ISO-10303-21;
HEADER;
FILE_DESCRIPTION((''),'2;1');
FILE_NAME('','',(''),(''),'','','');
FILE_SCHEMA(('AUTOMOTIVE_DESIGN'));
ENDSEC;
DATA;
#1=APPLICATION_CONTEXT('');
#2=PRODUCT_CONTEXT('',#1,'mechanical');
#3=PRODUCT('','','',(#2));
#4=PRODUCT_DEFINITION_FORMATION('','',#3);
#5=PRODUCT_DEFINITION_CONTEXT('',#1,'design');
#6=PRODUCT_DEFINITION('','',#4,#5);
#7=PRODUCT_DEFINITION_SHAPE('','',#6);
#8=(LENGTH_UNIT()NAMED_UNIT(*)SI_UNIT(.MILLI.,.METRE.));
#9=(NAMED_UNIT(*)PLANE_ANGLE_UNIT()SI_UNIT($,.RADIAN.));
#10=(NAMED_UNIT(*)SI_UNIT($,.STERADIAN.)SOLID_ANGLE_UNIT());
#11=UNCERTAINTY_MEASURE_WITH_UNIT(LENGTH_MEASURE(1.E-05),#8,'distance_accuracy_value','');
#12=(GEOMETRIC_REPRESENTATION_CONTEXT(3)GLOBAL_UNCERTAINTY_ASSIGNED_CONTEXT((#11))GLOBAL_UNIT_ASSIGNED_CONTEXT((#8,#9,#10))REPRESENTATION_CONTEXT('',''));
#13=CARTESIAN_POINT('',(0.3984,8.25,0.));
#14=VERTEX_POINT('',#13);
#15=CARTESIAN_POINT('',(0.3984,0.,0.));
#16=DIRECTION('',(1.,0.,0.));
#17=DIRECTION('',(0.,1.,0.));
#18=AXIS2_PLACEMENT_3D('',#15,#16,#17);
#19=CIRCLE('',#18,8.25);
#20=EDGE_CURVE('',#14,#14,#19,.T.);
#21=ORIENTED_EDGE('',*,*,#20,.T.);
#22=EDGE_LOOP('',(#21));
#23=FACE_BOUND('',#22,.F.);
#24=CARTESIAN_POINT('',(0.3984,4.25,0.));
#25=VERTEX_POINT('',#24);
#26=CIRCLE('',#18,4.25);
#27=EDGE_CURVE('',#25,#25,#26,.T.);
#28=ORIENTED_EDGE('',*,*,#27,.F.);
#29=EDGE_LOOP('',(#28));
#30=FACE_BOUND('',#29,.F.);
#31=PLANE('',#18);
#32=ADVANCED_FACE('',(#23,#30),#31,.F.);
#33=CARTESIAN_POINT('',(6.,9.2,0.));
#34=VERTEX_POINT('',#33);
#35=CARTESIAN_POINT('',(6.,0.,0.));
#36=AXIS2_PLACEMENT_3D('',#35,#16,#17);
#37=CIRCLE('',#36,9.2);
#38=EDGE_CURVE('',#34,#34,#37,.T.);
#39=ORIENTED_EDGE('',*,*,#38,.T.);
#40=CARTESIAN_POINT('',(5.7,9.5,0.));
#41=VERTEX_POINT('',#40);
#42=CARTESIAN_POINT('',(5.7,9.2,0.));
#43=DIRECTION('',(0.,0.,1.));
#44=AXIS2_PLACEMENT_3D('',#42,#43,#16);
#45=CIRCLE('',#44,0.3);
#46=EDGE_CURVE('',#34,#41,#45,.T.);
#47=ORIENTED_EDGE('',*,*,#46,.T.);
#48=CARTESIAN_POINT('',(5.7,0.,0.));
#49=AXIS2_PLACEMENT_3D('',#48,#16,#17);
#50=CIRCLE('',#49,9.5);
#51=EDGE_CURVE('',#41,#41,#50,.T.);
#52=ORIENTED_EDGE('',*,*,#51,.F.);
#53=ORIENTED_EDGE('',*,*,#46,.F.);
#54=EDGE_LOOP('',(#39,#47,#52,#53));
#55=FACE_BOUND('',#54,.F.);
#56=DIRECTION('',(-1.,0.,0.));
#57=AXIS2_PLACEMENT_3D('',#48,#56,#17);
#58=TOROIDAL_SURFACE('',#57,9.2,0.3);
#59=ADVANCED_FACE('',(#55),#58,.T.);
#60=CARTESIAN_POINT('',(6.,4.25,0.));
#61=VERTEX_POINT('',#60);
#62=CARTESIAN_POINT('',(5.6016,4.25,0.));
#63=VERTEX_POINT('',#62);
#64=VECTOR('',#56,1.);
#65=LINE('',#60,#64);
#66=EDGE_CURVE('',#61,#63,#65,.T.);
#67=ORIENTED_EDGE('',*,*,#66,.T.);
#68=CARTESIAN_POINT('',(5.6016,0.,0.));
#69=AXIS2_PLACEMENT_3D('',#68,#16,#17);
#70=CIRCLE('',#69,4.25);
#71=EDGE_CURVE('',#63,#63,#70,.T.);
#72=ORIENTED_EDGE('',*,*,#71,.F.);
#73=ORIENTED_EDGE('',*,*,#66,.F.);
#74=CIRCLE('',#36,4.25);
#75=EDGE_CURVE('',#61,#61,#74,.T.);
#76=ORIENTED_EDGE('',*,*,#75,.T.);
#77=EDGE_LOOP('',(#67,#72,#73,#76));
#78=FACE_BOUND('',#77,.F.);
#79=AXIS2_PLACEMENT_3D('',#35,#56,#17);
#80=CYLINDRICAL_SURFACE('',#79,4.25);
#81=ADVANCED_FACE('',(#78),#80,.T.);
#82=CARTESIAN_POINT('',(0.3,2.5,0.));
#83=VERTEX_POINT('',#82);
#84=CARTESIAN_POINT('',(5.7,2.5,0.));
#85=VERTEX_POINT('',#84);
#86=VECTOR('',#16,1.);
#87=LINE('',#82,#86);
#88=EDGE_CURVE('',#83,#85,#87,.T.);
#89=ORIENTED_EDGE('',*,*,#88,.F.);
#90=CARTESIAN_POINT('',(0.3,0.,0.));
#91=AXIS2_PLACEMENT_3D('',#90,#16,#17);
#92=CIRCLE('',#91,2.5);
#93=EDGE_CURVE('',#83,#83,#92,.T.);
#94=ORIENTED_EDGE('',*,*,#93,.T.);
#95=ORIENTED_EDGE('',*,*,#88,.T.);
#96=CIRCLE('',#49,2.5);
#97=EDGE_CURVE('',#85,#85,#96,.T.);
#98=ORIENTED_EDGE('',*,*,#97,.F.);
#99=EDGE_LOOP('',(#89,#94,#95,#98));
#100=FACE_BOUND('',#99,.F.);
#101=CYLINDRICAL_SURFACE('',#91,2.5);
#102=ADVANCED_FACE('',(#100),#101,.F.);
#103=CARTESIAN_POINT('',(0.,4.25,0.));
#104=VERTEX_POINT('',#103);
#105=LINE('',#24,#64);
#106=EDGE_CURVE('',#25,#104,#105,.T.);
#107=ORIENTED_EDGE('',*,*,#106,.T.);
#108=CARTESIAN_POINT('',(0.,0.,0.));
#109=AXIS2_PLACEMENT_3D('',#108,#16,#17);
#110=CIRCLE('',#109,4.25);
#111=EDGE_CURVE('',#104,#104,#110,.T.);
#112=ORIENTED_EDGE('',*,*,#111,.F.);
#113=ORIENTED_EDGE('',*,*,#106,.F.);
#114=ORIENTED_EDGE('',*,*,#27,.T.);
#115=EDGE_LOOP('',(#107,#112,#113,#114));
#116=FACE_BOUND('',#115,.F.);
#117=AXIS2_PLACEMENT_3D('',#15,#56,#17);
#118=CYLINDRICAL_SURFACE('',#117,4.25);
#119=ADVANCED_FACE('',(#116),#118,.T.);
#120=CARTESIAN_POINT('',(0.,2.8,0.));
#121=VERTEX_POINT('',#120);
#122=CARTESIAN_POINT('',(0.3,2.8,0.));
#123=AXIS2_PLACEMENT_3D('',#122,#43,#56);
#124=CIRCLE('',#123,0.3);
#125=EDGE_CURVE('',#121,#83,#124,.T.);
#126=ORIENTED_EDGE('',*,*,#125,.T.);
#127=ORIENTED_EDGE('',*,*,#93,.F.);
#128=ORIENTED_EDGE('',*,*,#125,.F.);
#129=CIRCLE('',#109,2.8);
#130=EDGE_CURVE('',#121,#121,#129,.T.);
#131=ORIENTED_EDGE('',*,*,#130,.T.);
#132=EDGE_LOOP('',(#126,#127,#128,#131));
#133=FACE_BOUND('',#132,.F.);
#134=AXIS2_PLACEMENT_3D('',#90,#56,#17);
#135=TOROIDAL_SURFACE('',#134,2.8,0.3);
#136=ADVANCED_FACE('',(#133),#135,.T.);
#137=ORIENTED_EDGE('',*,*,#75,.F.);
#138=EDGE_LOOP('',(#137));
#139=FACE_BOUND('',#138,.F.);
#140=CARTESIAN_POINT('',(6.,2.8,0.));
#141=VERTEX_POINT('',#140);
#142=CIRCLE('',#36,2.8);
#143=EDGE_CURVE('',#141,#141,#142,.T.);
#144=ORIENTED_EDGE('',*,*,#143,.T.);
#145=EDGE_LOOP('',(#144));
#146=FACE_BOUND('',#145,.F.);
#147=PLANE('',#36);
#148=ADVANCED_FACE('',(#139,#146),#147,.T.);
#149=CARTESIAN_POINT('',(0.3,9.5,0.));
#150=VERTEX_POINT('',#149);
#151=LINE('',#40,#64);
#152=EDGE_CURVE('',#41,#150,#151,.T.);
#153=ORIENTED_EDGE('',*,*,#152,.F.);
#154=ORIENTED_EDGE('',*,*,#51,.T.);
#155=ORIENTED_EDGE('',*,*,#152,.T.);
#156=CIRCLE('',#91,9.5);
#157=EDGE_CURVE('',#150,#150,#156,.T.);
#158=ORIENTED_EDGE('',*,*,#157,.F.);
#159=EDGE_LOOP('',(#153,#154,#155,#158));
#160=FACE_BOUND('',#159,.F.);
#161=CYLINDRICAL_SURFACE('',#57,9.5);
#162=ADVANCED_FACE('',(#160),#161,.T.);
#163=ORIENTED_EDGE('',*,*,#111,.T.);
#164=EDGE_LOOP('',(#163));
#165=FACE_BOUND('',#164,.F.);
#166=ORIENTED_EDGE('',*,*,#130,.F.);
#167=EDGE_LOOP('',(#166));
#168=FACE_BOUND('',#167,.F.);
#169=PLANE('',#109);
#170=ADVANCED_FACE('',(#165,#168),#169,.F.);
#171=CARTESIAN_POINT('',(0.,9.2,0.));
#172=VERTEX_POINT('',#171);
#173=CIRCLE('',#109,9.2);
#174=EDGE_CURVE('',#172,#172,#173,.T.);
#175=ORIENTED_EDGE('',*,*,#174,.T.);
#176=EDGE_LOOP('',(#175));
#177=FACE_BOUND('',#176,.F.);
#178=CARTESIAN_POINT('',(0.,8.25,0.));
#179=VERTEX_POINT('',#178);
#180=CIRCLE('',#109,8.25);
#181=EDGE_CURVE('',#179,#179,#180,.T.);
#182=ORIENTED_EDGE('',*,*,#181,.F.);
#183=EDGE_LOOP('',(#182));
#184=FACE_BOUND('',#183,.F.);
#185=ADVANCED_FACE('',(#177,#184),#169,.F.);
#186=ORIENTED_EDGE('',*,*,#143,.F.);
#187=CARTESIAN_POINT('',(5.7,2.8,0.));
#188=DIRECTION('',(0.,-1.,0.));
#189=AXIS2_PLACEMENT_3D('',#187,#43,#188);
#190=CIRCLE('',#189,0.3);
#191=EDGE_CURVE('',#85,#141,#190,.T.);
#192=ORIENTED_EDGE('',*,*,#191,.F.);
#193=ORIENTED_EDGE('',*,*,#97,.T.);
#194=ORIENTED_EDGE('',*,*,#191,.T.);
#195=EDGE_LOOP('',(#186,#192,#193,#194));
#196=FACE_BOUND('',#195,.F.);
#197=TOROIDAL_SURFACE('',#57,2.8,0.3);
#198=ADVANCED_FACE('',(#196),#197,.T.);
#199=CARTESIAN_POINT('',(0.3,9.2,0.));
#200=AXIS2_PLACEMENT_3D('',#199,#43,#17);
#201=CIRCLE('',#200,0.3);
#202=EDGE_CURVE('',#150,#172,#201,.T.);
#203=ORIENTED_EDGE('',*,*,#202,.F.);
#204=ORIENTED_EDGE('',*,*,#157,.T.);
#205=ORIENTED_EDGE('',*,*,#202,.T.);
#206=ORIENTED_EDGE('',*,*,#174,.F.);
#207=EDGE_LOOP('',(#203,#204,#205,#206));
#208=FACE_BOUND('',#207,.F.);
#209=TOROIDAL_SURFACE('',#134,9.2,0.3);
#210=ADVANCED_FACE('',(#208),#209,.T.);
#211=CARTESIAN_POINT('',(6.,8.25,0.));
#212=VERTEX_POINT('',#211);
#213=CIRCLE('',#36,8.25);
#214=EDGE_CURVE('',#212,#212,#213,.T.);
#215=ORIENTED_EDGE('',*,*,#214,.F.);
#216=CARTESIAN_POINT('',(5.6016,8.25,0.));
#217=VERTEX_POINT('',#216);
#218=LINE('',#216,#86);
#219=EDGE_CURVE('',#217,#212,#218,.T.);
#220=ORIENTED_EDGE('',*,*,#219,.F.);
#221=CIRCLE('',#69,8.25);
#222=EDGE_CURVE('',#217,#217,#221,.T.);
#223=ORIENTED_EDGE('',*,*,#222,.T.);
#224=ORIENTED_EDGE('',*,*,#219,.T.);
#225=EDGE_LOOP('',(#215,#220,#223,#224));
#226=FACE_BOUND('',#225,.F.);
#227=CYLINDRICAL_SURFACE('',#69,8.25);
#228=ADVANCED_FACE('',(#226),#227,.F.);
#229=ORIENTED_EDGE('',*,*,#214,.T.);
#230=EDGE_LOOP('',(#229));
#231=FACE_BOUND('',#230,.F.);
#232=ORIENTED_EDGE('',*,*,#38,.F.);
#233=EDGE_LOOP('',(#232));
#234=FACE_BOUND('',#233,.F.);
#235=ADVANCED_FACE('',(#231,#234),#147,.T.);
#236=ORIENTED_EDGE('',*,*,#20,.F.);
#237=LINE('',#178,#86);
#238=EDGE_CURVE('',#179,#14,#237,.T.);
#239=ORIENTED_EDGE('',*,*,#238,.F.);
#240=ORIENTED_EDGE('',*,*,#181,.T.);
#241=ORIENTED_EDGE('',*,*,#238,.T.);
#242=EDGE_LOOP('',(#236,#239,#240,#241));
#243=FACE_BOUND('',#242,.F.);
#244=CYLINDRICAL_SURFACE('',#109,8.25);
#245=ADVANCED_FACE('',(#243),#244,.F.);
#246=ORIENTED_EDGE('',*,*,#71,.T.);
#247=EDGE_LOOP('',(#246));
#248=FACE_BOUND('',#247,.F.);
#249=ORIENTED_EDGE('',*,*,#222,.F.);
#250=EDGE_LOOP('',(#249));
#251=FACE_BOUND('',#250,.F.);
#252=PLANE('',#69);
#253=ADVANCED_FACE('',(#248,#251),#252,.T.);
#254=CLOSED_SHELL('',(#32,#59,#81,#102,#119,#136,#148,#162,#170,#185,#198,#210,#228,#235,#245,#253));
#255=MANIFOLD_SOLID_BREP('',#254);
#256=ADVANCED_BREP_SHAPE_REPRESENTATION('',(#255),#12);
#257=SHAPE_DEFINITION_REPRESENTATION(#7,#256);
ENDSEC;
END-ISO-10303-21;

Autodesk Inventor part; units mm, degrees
sketch "Sketch_1" plane through (0, 0, 0) normal (0, 0, 1) x (1, 0, 0)
  line L0 (5.7, 0) -> (0.3, 0)
  arc A0 (0, 2.8) -> (0.3, 2.5) centre (0.3, 2.8) ccw
  line L1 (0.3, 2.5) -> (5.7, 2.5)
  arc A1 (5.7, 2.5) -> (6, 2.8) centre (5.7, 2.8) ccw
  line L2 (6, 2.8) -> (6, 4.25)
  line L3 (6, 4.25) -> (5.6016, 4.25)
  line L4 (5.6016, 4.25) -> (5.6016, 8.25)
  line L5 (5.6016, 8.25) -> (6, 8.25)
  line L6 (6, 8.25) -> (6, 9.2)
  arc A2 (6, 9.2) -> (5.7, 9.5) centre (5.7, 9.2) ccw
  line L7 (5.7, 9.5) -> (0.3, 9.5)
  arc A3 (0.3, 9.5) -> (0, 9.2) centre (0.3, 9.2) ccw
  line L8 (0, 9.2) -> (0, 8.25)
  line L9 (0, 8.25) -> (0.3984, 8.25)
  line L10 (0.3984, 8.25) -> (0.3984, 4.25)
  line L11 (0.3984, 4.25) -> (0, 4.25)
  line L12 (0, 4.25) -> (0, 2.8)
revolve "Revolution1" add sketch "Sketch_1" angle 360 about axis through (5.7, 0, 0) along (1, 0, 0)
ref_plane "to_housing_XY" through (0, 0, 0) normal (1, 0, 0) x (0, 0, -1)
ref_plane "to_housing_YZ" through (0, 0, 0) normal (0, 0, -1) x (0, 1, 0)
ref_plane "to_housing_ZX" through (0, 0, 0) normal (0, 1, 0) x (1, 0, 0)
ref_plane "to_housing_center_XY" through (3, 0, 0) normal (1, 0, 0) x (0, 0, -1)
ref_plane "to_housing_center_YZ" through (3, 0, 0) normal (0, 0, -1) x (0, 1, 0)
ref_plane "to_housing_center_ZX" through (3, 0, 0) normal (0, 1, 0) x (1, 0, 0)
ref_plane "作業平面7" through (3, 0, 0) normal (1, 0, 0) x (0, 0, -1)
properties part number "C-SE635ZZ"
